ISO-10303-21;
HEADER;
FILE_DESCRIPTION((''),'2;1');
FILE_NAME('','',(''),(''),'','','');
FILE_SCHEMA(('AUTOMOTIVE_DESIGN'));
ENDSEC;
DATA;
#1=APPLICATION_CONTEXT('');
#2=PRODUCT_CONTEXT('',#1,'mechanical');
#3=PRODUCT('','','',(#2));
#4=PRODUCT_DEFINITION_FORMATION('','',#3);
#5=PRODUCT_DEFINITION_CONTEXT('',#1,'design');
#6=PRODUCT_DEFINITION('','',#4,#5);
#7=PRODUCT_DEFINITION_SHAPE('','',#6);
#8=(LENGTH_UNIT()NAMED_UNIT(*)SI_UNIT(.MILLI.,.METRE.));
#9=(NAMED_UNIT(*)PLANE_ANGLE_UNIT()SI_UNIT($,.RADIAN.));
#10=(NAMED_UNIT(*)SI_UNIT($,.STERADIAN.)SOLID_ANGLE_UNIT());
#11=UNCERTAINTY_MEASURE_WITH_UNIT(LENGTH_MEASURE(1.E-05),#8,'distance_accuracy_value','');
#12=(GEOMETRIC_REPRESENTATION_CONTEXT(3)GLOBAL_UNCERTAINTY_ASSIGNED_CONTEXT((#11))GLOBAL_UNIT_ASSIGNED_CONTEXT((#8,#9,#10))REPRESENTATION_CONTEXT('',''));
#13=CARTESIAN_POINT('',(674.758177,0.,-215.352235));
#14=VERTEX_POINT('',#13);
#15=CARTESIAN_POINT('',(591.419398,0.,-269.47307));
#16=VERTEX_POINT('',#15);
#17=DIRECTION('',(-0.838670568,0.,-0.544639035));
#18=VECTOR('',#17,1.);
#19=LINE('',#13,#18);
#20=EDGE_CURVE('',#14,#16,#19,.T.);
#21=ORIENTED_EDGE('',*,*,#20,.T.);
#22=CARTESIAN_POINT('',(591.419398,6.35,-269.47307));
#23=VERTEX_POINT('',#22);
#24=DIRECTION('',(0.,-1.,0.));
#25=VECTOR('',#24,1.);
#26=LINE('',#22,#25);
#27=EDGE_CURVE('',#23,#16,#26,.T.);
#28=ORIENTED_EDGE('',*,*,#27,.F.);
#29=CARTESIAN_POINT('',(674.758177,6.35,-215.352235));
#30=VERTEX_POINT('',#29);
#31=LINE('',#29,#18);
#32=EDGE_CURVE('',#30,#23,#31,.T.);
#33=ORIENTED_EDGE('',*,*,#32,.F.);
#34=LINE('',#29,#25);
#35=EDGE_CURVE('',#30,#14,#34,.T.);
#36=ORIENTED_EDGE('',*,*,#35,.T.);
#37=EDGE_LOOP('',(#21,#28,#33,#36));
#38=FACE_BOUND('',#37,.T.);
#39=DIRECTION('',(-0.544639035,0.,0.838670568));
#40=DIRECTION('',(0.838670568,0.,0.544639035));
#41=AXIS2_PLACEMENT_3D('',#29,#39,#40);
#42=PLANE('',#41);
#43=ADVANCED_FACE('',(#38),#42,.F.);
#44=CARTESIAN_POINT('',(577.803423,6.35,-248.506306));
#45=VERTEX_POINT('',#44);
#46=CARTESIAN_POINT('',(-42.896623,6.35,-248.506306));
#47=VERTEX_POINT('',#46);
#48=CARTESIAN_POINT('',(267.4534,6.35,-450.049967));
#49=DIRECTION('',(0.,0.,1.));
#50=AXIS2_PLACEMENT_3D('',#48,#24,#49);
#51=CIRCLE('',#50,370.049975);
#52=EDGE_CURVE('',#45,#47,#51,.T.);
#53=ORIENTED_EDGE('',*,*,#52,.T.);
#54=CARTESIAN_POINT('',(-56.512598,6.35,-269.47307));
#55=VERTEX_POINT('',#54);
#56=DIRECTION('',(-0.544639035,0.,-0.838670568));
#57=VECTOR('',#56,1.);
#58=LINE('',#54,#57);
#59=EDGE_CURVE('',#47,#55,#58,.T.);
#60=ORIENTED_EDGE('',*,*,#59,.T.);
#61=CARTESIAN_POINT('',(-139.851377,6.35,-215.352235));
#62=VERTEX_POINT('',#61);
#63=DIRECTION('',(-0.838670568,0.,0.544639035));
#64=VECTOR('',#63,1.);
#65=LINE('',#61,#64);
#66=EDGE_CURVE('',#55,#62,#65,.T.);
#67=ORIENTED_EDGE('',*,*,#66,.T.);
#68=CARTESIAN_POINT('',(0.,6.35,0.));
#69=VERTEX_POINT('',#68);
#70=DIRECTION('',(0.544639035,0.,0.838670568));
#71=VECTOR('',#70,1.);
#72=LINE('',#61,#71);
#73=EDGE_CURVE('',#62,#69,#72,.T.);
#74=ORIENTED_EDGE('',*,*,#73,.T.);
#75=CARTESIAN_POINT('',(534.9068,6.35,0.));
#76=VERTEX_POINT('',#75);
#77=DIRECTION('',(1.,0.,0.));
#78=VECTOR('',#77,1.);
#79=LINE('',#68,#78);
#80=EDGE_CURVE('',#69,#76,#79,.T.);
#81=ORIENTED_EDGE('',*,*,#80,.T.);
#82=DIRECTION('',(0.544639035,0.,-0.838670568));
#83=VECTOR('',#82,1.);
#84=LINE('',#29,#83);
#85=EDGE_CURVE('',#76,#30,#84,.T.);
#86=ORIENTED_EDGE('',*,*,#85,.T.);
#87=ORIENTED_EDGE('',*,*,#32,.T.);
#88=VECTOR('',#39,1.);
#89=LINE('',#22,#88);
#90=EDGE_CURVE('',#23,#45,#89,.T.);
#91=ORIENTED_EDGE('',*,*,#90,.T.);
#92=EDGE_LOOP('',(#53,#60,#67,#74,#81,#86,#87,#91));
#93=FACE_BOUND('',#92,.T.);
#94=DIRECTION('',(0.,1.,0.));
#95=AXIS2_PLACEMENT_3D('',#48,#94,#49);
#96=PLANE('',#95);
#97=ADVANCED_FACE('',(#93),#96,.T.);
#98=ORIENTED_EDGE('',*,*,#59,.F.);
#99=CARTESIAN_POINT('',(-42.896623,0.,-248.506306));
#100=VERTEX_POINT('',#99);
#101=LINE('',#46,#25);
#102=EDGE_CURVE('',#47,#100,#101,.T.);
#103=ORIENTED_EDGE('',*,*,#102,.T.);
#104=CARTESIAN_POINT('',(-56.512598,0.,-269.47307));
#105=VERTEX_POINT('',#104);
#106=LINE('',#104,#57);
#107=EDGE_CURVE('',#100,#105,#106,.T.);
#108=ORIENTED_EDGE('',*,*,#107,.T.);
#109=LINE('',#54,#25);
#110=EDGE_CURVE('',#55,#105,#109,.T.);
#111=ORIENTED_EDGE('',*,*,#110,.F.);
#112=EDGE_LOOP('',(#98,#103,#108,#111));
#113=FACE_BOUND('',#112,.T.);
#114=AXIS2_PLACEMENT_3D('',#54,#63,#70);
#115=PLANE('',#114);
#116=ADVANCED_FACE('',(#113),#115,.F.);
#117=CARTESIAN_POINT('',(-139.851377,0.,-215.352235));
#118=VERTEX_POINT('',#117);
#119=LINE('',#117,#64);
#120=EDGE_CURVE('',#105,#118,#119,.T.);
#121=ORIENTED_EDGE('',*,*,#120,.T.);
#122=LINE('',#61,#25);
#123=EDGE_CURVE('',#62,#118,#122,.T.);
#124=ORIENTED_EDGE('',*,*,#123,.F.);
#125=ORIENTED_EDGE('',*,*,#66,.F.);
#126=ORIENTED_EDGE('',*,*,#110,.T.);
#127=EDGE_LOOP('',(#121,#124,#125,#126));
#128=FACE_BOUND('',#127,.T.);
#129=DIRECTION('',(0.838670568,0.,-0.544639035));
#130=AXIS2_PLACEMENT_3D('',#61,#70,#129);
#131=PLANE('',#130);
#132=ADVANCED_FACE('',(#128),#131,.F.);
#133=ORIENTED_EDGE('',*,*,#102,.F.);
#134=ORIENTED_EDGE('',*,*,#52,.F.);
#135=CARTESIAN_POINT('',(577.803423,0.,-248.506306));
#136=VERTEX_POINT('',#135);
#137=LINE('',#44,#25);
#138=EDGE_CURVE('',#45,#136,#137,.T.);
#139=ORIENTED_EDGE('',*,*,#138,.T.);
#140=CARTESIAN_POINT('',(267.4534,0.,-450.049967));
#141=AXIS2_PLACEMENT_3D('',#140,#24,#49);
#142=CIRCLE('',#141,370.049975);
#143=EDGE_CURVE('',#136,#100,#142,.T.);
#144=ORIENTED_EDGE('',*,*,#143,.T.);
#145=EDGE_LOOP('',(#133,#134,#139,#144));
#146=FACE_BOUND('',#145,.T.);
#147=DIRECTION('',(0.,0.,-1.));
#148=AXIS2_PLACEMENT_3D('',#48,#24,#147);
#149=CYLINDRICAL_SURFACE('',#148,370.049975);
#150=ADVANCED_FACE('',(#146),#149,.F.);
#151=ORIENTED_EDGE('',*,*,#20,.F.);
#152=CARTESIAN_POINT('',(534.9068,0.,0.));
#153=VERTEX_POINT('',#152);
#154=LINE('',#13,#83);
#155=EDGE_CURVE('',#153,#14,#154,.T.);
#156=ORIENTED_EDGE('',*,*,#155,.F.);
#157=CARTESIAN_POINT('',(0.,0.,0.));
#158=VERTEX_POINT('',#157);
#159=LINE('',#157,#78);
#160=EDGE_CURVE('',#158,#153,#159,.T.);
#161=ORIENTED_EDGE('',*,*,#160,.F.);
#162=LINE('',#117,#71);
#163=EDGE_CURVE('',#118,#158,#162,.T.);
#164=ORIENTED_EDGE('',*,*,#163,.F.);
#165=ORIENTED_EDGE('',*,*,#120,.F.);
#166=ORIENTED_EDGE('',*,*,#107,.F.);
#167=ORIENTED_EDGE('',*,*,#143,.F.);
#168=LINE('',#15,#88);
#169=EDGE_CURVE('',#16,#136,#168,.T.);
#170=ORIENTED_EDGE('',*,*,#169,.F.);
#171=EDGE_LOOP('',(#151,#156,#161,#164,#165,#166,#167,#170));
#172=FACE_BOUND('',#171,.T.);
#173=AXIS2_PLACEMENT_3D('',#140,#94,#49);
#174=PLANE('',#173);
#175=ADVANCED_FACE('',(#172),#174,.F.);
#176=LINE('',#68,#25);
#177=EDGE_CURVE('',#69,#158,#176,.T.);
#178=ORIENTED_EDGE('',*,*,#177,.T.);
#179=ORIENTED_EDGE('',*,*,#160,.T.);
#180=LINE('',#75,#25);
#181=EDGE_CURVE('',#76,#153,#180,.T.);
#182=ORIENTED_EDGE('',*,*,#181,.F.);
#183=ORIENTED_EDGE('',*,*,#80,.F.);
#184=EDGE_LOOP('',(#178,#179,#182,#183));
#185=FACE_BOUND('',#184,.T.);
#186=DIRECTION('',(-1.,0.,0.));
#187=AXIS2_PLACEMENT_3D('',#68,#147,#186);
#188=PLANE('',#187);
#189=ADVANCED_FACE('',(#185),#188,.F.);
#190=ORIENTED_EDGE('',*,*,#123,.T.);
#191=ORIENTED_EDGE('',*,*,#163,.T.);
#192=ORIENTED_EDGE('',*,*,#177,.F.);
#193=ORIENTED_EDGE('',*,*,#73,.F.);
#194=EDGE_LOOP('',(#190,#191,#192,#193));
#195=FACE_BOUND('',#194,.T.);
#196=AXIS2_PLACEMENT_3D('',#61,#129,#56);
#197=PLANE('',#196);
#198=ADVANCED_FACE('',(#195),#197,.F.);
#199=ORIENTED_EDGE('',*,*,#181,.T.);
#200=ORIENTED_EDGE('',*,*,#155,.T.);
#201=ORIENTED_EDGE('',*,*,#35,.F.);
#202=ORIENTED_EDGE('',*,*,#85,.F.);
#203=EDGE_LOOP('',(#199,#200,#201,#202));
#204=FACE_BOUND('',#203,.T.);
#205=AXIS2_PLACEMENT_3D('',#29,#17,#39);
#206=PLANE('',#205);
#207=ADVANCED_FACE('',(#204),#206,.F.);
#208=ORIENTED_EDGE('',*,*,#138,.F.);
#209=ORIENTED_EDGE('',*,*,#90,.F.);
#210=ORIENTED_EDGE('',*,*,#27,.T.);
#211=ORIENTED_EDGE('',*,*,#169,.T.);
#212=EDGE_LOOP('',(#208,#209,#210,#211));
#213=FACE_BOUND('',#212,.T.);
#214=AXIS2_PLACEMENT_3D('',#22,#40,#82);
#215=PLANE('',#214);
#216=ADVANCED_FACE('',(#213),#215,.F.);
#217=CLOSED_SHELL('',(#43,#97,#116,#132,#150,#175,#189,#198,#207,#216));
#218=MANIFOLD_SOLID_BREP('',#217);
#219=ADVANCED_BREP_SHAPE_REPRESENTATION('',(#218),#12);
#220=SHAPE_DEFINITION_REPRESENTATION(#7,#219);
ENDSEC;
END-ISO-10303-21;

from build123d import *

# Parameters (mm, degrees)
BOSS_EXTRUDE1_DEPTH = 6.35


with BuildPart() as part:
    # Sketch1 → Boss-Extrude1 (new body)
    with BuildSketch(Plane(origin=(0, 0, 0), x_dir=(1, 0, 0), z_dir=(0, 1, 0))):
        with BuildLine():
            Line((0, 0), (534.9068, 0))
            Line((534.9068, 0), (674.758176597, 215.352234963))
            Line((674.758176597, 215.352234963), (591.419398393, 269.473070336))
            Line((591.419398393, 269.473070336), (577.803422518, 248.506306138))
            ThreePointArc((577.803422518, 248.506306138), (267.4534, 79.999992529), (-42.896622518, 248.506306138))
            Line((-42.896622518, 248.506306138), (-56.512598393, 269.473070336))
            Line((-56.512598393, 269.473070336), (-139.851376597, 215.352234963))
            Line((-139.851376597, 215.352234963), (0, 0))
        make_face()
    extrude(amount=BOSS_EXTRUDE1_DEPTH)


solid = part.part
